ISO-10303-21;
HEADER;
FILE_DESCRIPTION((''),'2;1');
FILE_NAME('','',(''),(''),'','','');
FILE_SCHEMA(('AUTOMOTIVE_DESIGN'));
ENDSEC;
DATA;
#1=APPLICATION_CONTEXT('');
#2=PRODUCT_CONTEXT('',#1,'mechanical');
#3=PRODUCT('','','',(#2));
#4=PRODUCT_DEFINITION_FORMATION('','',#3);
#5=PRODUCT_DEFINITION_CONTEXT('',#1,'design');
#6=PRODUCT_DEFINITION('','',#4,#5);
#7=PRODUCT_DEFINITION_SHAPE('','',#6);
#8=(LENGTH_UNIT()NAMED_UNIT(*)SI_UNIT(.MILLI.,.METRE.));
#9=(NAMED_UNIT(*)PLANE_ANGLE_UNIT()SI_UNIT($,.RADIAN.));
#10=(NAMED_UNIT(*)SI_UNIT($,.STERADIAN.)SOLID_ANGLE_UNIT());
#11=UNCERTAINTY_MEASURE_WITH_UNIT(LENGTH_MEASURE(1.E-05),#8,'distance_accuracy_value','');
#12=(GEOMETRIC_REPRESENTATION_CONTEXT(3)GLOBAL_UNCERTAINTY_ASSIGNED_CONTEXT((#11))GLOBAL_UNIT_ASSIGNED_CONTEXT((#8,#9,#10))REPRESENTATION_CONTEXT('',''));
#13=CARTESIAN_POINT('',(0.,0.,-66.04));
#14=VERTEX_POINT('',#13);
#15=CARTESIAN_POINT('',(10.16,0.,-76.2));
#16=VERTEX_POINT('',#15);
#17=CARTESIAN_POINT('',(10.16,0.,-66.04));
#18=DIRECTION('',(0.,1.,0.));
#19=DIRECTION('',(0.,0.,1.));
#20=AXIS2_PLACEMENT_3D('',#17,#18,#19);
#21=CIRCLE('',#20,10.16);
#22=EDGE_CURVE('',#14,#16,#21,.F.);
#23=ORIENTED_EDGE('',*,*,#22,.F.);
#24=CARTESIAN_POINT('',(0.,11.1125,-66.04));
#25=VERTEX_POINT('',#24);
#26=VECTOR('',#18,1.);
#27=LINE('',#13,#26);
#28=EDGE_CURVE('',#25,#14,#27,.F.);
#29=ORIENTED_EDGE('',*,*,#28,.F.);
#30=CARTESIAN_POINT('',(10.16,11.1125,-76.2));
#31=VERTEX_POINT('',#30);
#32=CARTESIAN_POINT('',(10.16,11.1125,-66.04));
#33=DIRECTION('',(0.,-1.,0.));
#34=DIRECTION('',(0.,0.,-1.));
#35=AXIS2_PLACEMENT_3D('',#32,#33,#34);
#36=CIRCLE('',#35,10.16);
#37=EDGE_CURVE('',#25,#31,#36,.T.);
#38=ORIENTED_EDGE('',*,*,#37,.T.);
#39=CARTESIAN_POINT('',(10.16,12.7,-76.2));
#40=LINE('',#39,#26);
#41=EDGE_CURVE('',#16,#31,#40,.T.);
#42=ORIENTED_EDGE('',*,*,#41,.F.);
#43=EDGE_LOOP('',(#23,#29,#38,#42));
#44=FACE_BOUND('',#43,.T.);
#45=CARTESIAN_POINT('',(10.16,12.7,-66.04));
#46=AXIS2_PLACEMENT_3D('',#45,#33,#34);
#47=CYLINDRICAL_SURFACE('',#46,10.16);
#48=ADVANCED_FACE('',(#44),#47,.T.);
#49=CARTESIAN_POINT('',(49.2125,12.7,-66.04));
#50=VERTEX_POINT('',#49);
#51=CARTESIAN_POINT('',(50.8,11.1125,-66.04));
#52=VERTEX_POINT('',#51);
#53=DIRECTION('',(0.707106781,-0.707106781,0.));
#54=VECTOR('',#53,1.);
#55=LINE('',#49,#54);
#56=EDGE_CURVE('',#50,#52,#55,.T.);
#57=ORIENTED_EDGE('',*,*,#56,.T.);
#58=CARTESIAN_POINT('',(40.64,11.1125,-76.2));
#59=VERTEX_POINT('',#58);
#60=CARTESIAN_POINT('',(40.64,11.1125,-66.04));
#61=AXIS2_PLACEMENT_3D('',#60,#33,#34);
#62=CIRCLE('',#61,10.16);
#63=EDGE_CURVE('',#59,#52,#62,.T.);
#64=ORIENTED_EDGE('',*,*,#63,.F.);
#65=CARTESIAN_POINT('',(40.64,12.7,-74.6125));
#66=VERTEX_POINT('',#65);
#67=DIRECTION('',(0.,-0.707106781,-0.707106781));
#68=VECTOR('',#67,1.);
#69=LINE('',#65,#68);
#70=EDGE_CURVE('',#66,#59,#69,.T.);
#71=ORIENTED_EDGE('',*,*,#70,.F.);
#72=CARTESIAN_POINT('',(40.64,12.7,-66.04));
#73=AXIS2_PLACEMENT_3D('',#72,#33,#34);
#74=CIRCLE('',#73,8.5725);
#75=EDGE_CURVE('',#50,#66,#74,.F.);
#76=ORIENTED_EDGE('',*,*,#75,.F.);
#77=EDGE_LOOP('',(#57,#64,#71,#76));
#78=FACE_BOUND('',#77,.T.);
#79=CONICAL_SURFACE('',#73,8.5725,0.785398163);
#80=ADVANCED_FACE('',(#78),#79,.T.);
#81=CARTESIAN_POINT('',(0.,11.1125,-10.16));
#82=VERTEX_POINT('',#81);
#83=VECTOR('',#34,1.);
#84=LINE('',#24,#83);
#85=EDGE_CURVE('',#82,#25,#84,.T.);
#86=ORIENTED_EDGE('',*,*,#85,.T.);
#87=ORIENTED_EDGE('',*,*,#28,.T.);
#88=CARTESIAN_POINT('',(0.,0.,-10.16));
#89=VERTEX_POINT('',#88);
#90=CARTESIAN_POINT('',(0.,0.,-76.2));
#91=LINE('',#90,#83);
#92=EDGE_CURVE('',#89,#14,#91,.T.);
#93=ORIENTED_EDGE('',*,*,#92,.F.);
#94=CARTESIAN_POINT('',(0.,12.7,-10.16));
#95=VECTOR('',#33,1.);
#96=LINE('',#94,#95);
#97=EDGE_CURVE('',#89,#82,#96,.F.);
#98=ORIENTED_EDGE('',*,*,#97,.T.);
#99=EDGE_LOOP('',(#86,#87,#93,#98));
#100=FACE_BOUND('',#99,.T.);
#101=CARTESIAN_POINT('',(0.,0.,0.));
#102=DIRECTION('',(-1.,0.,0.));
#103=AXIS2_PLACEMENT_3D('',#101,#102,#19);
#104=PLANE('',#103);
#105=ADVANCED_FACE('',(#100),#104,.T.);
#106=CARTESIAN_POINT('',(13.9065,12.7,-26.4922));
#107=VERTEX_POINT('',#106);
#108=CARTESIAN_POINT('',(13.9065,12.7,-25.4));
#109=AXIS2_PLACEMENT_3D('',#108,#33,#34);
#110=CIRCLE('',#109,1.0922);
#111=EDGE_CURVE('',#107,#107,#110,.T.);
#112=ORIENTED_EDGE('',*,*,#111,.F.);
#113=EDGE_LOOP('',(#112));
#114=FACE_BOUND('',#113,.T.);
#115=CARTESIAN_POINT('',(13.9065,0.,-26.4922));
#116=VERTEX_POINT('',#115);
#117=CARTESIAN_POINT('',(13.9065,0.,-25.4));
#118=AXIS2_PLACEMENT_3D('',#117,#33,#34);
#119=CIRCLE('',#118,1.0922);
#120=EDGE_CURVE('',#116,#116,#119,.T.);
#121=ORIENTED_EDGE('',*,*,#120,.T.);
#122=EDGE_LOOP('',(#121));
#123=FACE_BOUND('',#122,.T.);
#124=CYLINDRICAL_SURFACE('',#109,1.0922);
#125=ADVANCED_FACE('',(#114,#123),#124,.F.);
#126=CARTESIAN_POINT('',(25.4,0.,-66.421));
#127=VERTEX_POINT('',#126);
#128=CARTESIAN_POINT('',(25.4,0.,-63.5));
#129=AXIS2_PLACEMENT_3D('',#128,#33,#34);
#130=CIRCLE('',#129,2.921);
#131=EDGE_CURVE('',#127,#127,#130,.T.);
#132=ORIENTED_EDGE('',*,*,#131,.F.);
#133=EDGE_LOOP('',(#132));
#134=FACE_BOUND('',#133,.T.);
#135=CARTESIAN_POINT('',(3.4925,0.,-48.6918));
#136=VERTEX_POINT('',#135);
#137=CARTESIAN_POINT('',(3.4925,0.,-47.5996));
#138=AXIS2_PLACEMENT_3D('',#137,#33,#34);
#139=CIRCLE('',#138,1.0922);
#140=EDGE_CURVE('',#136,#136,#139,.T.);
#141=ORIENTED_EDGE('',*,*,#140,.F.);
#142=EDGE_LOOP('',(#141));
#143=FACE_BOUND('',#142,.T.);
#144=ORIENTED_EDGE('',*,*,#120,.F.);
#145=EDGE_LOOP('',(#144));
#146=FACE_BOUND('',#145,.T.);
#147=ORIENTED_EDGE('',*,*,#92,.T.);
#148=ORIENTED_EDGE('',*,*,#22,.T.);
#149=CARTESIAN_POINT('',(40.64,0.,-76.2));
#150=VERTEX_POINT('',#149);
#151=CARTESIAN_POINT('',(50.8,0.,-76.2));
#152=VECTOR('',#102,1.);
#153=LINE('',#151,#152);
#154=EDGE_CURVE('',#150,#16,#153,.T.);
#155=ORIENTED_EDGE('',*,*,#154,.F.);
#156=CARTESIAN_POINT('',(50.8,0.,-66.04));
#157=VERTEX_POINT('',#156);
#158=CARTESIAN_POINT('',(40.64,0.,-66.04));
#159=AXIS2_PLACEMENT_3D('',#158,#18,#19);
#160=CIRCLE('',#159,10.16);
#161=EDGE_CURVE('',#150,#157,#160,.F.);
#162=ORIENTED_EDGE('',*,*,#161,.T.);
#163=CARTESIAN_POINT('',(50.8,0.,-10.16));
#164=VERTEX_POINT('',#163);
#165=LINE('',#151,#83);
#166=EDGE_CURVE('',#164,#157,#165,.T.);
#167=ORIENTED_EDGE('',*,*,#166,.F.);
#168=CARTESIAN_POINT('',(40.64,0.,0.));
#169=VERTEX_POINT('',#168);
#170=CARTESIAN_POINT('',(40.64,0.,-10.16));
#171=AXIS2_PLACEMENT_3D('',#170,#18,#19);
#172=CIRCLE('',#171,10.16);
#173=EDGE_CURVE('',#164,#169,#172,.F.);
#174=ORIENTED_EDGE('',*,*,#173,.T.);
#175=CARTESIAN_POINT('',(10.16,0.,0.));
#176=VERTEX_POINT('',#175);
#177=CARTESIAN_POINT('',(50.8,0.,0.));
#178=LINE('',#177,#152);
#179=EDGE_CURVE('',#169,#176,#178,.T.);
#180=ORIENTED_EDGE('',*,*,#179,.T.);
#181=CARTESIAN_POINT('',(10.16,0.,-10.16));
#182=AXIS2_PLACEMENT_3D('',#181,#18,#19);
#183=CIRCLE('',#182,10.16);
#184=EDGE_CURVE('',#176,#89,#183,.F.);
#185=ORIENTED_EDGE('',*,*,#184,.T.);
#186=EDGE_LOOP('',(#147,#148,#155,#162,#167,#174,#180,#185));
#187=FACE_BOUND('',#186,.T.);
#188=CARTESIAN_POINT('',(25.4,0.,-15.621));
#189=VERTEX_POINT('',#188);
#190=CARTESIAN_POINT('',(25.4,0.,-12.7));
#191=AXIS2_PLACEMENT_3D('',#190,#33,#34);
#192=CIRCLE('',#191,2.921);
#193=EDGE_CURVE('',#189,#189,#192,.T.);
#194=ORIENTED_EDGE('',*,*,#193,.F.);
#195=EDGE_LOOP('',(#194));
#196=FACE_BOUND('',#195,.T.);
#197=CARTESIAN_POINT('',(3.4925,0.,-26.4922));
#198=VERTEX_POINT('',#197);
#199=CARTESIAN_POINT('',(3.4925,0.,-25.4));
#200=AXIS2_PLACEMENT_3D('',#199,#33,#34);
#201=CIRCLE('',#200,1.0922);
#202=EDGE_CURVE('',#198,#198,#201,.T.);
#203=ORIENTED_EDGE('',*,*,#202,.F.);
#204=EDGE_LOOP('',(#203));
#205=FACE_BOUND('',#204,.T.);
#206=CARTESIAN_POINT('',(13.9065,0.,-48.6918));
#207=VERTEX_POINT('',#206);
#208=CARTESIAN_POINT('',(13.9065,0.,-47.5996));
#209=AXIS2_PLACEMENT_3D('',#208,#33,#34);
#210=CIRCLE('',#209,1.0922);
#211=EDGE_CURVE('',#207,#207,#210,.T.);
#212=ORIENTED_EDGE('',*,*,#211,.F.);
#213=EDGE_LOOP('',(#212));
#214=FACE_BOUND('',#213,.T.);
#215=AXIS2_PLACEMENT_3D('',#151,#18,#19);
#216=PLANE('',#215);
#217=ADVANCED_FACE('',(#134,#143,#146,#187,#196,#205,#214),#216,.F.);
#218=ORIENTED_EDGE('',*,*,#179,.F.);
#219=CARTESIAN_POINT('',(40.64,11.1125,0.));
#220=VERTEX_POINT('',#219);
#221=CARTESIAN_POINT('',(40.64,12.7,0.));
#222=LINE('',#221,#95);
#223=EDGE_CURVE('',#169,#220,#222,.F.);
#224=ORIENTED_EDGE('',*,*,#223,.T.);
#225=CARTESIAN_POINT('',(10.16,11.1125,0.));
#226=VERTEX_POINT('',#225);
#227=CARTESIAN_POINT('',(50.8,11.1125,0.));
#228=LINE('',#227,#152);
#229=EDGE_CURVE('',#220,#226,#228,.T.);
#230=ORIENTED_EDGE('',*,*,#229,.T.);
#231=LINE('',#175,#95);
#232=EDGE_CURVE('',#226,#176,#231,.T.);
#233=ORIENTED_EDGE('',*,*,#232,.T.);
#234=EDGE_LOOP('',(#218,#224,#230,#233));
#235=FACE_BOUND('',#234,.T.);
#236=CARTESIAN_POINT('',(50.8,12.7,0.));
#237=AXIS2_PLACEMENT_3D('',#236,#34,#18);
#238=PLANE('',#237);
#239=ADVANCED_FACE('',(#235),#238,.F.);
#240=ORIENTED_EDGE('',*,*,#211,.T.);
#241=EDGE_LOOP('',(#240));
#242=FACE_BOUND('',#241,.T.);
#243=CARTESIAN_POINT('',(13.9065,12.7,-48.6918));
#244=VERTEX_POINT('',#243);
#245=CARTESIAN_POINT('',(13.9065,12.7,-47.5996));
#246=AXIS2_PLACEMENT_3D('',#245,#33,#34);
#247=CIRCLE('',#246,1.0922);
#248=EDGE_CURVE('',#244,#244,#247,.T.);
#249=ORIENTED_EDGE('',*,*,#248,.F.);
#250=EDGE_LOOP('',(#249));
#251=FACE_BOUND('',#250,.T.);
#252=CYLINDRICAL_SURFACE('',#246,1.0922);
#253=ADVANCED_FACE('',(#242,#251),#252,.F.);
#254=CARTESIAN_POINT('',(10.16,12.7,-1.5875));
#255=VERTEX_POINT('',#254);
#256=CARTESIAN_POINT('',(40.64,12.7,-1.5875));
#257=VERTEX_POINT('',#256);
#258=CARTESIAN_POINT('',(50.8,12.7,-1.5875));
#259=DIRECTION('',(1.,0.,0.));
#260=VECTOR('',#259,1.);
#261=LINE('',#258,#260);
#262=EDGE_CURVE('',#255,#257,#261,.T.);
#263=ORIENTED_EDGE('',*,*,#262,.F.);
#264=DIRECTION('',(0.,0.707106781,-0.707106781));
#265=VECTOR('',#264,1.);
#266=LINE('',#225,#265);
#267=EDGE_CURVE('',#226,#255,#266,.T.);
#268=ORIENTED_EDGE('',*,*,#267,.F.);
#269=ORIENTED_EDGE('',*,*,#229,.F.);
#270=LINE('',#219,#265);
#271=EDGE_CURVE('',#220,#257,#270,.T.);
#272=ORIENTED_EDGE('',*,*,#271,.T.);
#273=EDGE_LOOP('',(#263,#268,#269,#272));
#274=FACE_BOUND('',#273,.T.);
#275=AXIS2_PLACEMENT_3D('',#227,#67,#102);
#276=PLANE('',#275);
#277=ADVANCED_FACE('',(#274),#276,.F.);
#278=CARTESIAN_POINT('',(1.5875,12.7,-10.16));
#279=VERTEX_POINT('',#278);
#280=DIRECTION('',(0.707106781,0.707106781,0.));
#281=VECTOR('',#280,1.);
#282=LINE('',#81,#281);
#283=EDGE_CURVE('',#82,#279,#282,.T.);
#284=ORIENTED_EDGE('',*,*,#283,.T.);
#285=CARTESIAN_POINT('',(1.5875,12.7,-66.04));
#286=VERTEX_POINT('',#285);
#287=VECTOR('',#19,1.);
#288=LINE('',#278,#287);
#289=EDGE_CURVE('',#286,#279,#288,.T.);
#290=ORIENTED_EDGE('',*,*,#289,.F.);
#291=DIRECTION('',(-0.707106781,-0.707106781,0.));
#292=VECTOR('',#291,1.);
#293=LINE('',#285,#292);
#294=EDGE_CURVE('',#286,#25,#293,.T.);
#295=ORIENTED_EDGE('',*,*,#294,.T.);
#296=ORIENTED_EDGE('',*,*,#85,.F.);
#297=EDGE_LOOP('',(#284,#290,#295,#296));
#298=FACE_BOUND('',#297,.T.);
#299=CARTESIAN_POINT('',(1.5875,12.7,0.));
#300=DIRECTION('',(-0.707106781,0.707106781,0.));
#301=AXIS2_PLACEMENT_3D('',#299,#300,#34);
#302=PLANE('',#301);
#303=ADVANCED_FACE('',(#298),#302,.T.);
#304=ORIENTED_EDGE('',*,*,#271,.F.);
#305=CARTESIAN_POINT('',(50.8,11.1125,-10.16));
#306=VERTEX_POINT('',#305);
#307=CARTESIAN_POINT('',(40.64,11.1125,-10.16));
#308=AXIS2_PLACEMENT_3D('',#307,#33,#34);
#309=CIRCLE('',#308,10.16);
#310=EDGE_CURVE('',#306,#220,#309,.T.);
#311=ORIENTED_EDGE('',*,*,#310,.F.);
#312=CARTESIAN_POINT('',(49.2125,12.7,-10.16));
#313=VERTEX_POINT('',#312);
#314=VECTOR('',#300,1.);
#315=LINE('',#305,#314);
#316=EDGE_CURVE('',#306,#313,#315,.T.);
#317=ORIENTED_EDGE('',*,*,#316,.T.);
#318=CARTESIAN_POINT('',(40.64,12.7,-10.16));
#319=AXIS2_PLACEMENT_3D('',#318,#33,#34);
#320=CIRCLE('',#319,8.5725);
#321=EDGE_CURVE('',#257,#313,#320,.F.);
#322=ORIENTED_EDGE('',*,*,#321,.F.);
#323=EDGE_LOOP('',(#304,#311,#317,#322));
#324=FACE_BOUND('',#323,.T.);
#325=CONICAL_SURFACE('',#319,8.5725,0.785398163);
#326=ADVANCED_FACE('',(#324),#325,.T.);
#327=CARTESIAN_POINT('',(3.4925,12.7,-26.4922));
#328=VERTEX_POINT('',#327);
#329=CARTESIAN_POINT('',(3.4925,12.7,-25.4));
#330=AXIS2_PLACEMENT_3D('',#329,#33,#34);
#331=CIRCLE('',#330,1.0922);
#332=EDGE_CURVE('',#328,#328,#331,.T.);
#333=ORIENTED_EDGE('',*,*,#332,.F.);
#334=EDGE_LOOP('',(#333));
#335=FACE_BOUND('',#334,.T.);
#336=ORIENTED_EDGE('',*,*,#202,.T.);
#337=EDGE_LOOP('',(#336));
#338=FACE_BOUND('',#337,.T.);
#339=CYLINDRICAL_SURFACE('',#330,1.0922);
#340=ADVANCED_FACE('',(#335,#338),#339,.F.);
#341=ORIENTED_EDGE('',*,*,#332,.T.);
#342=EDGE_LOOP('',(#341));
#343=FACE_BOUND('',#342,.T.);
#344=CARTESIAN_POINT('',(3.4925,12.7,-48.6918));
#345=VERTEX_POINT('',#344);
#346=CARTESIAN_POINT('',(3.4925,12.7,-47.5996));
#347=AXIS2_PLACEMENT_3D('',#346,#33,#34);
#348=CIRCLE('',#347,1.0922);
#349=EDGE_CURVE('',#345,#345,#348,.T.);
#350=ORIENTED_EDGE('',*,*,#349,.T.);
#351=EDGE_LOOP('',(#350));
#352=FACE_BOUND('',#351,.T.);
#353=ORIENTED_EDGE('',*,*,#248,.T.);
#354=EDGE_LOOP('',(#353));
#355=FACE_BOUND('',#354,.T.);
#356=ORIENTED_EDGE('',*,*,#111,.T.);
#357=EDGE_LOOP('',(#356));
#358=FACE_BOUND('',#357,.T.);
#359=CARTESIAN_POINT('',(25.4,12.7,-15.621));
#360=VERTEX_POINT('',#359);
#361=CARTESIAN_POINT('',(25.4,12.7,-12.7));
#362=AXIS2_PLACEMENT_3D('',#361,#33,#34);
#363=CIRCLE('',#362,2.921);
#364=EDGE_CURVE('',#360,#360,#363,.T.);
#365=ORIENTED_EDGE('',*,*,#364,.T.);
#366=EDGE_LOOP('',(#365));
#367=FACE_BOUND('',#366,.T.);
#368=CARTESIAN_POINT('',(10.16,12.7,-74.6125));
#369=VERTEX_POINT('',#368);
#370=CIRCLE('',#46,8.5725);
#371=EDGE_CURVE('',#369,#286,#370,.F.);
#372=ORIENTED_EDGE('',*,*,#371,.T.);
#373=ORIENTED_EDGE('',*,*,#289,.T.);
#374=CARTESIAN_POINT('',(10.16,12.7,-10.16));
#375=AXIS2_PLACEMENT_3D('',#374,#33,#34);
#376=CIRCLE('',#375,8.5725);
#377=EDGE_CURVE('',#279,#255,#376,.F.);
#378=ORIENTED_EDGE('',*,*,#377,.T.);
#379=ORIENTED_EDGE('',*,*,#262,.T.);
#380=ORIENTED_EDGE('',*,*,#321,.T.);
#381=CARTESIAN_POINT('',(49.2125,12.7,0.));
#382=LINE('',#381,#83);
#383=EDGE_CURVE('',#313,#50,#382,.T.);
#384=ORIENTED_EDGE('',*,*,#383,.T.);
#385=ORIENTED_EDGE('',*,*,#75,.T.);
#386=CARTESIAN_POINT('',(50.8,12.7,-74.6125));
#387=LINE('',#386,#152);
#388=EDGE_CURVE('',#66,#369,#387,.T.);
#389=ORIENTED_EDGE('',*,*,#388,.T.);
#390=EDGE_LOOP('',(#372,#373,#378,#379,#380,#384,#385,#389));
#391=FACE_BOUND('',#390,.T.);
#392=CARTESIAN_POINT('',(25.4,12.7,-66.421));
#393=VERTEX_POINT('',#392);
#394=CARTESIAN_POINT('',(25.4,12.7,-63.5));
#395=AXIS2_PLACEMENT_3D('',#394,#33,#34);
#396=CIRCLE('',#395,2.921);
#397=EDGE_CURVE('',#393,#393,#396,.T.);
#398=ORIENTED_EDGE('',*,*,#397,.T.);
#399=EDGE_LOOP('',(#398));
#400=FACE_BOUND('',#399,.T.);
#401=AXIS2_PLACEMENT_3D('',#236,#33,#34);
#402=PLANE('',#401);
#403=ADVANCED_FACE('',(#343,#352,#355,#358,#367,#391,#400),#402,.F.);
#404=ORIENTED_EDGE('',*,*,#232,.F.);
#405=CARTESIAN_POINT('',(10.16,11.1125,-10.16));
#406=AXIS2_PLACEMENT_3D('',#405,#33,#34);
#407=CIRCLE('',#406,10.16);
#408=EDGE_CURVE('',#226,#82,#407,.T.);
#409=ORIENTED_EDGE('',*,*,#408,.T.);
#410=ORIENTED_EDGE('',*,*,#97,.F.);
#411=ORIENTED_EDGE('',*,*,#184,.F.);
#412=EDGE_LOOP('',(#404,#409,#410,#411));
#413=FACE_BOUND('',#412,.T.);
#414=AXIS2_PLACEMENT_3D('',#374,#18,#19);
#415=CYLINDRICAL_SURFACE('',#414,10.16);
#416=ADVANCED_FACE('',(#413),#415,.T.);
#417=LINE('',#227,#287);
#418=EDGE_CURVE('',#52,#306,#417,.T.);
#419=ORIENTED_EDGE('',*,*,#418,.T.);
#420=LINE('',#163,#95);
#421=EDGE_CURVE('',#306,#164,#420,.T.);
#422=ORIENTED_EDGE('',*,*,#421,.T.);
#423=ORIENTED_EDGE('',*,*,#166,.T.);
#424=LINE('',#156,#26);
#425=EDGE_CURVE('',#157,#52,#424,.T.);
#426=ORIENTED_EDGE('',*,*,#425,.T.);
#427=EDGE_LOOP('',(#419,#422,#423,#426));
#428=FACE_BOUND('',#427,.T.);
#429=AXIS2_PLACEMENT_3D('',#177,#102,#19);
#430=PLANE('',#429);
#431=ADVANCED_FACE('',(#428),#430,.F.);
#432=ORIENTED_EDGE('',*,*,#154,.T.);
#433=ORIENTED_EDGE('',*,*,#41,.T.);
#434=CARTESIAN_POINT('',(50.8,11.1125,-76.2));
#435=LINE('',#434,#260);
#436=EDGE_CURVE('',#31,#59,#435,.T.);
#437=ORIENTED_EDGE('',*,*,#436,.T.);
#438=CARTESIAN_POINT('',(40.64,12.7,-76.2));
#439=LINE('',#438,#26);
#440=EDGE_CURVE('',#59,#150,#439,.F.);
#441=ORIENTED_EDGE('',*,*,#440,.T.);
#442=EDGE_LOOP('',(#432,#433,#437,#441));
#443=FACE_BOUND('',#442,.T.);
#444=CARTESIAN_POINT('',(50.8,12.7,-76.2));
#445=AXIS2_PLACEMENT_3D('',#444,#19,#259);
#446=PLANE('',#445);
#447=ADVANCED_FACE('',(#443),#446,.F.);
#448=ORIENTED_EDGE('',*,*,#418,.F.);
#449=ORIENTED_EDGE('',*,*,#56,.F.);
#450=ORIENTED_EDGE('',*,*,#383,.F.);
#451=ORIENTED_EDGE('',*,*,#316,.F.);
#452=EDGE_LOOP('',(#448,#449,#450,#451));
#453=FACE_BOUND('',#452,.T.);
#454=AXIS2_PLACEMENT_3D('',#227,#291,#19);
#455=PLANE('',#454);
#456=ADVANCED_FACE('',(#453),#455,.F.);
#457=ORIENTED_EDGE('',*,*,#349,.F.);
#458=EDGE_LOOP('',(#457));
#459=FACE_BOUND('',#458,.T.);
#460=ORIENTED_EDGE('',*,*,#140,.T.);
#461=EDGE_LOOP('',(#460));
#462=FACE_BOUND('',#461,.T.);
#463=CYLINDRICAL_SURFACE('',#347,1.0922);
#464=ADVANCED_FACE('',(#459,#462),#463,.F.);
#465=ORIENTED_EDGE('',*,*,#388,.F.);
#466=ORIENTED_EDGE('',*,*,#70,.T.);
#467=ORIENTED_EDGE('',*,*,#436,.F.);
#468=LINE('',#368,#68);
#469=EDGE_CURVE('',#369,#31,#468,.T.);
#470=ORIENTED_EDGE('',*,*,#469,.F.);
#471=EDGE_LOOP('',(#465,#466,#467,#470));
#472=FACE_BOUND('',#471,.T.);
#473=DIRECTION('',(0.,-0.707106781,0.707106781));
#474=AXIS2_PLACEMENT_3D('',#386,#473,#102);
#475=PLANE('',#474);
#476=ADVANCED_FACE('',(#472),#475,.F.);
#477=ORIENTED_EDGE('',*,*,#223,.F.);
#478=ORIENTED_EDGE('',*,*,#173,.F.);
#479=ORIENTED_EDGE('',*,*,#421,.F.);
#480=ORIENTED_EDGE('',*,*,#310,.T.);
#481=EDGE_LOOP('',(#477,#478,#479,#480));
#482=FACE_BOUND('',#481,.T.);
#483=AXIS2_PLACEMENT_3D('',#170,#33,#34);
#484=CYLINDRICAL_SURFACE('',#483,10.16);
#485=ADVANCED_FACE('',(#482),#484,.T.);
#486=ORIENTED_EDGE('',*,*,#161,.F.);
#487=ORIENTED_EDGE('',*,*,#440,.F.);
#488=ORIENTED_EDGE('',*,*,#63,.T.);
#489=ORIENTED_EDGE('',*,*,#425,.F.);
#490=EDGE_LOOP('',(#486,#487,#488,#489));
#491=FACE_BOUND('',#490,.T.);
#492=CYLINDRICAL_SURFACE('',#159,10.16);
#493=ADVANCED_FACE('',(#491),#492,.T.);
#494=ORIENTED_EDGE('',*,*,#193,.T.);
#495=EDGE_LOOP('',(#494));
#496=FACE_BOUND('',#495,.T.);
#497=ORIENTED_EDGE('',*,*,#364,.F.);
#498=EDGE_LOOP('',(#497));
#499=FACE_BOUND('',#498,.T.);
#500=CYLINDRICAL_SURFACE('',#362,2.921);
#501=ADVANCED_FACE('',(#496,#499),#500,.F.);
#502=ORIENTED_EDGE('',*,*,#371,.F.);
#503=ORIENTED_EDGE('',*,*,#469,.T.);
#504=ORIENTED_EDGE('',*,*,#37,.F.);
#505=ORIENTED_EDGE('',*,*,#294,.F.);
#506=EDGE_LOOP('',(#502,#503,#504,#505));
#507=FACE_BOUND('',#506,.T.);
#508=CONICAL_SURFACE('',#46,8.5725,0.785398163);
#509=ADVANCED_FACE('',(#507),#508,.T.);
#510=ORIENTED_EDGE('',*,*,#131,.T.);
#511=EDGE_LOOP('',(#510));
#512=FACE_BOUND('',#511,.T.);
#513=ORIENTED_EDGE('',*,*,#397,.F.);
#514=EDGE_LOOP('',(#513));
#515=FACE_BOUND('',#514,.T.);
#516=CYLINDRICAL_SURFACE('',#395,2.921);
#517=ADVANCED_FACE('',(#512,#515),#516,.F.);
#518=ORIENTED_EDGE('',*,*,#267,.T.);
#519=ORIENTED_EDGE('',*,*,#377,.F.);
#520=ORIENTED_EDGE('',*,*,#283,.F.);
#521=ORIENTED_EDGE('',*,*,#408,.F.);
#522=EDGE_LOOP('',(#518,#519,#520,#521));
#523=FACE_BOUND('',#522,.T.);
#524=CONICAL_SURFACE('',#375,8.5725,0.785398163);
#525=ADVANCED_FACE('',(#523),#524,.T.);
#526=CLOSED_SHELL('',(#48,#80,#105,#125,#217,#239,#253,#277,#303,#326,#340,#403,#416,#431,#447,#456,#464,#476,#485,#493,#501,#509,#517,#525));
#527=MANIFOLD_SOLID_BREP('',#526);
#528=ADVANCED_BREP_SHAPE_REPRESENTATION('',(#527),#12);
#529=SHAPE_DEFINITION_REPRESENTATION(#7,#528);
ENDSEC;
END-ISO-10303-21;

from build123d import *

# Parameters (mm, degrees)
SKETCH1_W           = 76.2
SKETCH1_H           = 12.7
BOSS_EXTRUDE1_DEPTH = 50.8
SKETCH3_R           = 1.0922
SKETCH3_R_2         = 2.921
CUT_EXTRUDE2_DEPTH  = 93.457395594
FILLET1_R           = 10.16
CHAMFER1_SIZE       = 1.5875


with BuildPart() as part:
    # Sketch1 → Boss-Extrude1 (new body)
    with BuildSketch(Plane(origin=(0, 0, 0), x_dir=(0, 0, -1), z_dir=(1, 0, 0))):
        with Locations((38.1, 6.35)):
            Rectangle(SKETCH1_W, SKETCH1_H)
    extrude(amount=BOSS_EXTRUDE1_DEPTH)

    # Sketch3 → Cut-Extrude2 (cut, through all)
    with BuildSketch(Plane.XZ):
        with Locations(Location((13.9065, -25.4, 0), (0, 0, 270))):
            Circle(SKETCH3_R)
        with Locations(Location((25.4, -63.5, 0), (0, 0, 270))):
            Circle(SKETCH3_R_2)
        with Locations(Location((25.4, -12.7, 0), (0, 0, 270))):
            Circle(SKETCH3_R_2)
        with Locations(Location((3.4925, -25.4, 0), (0, 0, 270))):
            Circle(SKETCH3_R)
        with Locations(Location((3.4925, -47.5996, 0), (0, 0, 270))):
            Circle(SKETCH3_R)
        with Locations(Location((13.9065, -47.5996, 0), (0, 0, 270))):
            Circle(SKETCH3_R)
    extrude(amount=-CUT_EXTRUDE2_DEPTH, mode=Mode.SUBTRACT)

    # Fillet1
    fillet1_edges = [part.edges().sort_by_distance(p)[0] for p in [
        (50.8, 6.35, -76.2),
        (50.8, 6.35, 0),
        (0, 6.35, -76.2),
        (0, 6.35, 0),
    ]]
    fillet(fillet1_edges, radius=FILLET1_R)

    # Chamfer1
    chamfer1_edges = [part.edges().sort_by_distance(p)[0] for p in [
        (25.4, 12.7, 0),
        (0, 12.7, -38.1),
        (50.8, 12.7, -38.1),
        (25.4, 12.7, -76.2),
        (47.824204897, 12.7, -73.224204897),
        (2.975795103, 12.7, -73.224204897),
        (47.824204897, 12.7, -2.975795103),
        (2.975795103, 12.7, -2.975795103),
    ]]
    chamfer(chamfer1_edges, length=CHAMFER1_SIZE)


solid = part.part
